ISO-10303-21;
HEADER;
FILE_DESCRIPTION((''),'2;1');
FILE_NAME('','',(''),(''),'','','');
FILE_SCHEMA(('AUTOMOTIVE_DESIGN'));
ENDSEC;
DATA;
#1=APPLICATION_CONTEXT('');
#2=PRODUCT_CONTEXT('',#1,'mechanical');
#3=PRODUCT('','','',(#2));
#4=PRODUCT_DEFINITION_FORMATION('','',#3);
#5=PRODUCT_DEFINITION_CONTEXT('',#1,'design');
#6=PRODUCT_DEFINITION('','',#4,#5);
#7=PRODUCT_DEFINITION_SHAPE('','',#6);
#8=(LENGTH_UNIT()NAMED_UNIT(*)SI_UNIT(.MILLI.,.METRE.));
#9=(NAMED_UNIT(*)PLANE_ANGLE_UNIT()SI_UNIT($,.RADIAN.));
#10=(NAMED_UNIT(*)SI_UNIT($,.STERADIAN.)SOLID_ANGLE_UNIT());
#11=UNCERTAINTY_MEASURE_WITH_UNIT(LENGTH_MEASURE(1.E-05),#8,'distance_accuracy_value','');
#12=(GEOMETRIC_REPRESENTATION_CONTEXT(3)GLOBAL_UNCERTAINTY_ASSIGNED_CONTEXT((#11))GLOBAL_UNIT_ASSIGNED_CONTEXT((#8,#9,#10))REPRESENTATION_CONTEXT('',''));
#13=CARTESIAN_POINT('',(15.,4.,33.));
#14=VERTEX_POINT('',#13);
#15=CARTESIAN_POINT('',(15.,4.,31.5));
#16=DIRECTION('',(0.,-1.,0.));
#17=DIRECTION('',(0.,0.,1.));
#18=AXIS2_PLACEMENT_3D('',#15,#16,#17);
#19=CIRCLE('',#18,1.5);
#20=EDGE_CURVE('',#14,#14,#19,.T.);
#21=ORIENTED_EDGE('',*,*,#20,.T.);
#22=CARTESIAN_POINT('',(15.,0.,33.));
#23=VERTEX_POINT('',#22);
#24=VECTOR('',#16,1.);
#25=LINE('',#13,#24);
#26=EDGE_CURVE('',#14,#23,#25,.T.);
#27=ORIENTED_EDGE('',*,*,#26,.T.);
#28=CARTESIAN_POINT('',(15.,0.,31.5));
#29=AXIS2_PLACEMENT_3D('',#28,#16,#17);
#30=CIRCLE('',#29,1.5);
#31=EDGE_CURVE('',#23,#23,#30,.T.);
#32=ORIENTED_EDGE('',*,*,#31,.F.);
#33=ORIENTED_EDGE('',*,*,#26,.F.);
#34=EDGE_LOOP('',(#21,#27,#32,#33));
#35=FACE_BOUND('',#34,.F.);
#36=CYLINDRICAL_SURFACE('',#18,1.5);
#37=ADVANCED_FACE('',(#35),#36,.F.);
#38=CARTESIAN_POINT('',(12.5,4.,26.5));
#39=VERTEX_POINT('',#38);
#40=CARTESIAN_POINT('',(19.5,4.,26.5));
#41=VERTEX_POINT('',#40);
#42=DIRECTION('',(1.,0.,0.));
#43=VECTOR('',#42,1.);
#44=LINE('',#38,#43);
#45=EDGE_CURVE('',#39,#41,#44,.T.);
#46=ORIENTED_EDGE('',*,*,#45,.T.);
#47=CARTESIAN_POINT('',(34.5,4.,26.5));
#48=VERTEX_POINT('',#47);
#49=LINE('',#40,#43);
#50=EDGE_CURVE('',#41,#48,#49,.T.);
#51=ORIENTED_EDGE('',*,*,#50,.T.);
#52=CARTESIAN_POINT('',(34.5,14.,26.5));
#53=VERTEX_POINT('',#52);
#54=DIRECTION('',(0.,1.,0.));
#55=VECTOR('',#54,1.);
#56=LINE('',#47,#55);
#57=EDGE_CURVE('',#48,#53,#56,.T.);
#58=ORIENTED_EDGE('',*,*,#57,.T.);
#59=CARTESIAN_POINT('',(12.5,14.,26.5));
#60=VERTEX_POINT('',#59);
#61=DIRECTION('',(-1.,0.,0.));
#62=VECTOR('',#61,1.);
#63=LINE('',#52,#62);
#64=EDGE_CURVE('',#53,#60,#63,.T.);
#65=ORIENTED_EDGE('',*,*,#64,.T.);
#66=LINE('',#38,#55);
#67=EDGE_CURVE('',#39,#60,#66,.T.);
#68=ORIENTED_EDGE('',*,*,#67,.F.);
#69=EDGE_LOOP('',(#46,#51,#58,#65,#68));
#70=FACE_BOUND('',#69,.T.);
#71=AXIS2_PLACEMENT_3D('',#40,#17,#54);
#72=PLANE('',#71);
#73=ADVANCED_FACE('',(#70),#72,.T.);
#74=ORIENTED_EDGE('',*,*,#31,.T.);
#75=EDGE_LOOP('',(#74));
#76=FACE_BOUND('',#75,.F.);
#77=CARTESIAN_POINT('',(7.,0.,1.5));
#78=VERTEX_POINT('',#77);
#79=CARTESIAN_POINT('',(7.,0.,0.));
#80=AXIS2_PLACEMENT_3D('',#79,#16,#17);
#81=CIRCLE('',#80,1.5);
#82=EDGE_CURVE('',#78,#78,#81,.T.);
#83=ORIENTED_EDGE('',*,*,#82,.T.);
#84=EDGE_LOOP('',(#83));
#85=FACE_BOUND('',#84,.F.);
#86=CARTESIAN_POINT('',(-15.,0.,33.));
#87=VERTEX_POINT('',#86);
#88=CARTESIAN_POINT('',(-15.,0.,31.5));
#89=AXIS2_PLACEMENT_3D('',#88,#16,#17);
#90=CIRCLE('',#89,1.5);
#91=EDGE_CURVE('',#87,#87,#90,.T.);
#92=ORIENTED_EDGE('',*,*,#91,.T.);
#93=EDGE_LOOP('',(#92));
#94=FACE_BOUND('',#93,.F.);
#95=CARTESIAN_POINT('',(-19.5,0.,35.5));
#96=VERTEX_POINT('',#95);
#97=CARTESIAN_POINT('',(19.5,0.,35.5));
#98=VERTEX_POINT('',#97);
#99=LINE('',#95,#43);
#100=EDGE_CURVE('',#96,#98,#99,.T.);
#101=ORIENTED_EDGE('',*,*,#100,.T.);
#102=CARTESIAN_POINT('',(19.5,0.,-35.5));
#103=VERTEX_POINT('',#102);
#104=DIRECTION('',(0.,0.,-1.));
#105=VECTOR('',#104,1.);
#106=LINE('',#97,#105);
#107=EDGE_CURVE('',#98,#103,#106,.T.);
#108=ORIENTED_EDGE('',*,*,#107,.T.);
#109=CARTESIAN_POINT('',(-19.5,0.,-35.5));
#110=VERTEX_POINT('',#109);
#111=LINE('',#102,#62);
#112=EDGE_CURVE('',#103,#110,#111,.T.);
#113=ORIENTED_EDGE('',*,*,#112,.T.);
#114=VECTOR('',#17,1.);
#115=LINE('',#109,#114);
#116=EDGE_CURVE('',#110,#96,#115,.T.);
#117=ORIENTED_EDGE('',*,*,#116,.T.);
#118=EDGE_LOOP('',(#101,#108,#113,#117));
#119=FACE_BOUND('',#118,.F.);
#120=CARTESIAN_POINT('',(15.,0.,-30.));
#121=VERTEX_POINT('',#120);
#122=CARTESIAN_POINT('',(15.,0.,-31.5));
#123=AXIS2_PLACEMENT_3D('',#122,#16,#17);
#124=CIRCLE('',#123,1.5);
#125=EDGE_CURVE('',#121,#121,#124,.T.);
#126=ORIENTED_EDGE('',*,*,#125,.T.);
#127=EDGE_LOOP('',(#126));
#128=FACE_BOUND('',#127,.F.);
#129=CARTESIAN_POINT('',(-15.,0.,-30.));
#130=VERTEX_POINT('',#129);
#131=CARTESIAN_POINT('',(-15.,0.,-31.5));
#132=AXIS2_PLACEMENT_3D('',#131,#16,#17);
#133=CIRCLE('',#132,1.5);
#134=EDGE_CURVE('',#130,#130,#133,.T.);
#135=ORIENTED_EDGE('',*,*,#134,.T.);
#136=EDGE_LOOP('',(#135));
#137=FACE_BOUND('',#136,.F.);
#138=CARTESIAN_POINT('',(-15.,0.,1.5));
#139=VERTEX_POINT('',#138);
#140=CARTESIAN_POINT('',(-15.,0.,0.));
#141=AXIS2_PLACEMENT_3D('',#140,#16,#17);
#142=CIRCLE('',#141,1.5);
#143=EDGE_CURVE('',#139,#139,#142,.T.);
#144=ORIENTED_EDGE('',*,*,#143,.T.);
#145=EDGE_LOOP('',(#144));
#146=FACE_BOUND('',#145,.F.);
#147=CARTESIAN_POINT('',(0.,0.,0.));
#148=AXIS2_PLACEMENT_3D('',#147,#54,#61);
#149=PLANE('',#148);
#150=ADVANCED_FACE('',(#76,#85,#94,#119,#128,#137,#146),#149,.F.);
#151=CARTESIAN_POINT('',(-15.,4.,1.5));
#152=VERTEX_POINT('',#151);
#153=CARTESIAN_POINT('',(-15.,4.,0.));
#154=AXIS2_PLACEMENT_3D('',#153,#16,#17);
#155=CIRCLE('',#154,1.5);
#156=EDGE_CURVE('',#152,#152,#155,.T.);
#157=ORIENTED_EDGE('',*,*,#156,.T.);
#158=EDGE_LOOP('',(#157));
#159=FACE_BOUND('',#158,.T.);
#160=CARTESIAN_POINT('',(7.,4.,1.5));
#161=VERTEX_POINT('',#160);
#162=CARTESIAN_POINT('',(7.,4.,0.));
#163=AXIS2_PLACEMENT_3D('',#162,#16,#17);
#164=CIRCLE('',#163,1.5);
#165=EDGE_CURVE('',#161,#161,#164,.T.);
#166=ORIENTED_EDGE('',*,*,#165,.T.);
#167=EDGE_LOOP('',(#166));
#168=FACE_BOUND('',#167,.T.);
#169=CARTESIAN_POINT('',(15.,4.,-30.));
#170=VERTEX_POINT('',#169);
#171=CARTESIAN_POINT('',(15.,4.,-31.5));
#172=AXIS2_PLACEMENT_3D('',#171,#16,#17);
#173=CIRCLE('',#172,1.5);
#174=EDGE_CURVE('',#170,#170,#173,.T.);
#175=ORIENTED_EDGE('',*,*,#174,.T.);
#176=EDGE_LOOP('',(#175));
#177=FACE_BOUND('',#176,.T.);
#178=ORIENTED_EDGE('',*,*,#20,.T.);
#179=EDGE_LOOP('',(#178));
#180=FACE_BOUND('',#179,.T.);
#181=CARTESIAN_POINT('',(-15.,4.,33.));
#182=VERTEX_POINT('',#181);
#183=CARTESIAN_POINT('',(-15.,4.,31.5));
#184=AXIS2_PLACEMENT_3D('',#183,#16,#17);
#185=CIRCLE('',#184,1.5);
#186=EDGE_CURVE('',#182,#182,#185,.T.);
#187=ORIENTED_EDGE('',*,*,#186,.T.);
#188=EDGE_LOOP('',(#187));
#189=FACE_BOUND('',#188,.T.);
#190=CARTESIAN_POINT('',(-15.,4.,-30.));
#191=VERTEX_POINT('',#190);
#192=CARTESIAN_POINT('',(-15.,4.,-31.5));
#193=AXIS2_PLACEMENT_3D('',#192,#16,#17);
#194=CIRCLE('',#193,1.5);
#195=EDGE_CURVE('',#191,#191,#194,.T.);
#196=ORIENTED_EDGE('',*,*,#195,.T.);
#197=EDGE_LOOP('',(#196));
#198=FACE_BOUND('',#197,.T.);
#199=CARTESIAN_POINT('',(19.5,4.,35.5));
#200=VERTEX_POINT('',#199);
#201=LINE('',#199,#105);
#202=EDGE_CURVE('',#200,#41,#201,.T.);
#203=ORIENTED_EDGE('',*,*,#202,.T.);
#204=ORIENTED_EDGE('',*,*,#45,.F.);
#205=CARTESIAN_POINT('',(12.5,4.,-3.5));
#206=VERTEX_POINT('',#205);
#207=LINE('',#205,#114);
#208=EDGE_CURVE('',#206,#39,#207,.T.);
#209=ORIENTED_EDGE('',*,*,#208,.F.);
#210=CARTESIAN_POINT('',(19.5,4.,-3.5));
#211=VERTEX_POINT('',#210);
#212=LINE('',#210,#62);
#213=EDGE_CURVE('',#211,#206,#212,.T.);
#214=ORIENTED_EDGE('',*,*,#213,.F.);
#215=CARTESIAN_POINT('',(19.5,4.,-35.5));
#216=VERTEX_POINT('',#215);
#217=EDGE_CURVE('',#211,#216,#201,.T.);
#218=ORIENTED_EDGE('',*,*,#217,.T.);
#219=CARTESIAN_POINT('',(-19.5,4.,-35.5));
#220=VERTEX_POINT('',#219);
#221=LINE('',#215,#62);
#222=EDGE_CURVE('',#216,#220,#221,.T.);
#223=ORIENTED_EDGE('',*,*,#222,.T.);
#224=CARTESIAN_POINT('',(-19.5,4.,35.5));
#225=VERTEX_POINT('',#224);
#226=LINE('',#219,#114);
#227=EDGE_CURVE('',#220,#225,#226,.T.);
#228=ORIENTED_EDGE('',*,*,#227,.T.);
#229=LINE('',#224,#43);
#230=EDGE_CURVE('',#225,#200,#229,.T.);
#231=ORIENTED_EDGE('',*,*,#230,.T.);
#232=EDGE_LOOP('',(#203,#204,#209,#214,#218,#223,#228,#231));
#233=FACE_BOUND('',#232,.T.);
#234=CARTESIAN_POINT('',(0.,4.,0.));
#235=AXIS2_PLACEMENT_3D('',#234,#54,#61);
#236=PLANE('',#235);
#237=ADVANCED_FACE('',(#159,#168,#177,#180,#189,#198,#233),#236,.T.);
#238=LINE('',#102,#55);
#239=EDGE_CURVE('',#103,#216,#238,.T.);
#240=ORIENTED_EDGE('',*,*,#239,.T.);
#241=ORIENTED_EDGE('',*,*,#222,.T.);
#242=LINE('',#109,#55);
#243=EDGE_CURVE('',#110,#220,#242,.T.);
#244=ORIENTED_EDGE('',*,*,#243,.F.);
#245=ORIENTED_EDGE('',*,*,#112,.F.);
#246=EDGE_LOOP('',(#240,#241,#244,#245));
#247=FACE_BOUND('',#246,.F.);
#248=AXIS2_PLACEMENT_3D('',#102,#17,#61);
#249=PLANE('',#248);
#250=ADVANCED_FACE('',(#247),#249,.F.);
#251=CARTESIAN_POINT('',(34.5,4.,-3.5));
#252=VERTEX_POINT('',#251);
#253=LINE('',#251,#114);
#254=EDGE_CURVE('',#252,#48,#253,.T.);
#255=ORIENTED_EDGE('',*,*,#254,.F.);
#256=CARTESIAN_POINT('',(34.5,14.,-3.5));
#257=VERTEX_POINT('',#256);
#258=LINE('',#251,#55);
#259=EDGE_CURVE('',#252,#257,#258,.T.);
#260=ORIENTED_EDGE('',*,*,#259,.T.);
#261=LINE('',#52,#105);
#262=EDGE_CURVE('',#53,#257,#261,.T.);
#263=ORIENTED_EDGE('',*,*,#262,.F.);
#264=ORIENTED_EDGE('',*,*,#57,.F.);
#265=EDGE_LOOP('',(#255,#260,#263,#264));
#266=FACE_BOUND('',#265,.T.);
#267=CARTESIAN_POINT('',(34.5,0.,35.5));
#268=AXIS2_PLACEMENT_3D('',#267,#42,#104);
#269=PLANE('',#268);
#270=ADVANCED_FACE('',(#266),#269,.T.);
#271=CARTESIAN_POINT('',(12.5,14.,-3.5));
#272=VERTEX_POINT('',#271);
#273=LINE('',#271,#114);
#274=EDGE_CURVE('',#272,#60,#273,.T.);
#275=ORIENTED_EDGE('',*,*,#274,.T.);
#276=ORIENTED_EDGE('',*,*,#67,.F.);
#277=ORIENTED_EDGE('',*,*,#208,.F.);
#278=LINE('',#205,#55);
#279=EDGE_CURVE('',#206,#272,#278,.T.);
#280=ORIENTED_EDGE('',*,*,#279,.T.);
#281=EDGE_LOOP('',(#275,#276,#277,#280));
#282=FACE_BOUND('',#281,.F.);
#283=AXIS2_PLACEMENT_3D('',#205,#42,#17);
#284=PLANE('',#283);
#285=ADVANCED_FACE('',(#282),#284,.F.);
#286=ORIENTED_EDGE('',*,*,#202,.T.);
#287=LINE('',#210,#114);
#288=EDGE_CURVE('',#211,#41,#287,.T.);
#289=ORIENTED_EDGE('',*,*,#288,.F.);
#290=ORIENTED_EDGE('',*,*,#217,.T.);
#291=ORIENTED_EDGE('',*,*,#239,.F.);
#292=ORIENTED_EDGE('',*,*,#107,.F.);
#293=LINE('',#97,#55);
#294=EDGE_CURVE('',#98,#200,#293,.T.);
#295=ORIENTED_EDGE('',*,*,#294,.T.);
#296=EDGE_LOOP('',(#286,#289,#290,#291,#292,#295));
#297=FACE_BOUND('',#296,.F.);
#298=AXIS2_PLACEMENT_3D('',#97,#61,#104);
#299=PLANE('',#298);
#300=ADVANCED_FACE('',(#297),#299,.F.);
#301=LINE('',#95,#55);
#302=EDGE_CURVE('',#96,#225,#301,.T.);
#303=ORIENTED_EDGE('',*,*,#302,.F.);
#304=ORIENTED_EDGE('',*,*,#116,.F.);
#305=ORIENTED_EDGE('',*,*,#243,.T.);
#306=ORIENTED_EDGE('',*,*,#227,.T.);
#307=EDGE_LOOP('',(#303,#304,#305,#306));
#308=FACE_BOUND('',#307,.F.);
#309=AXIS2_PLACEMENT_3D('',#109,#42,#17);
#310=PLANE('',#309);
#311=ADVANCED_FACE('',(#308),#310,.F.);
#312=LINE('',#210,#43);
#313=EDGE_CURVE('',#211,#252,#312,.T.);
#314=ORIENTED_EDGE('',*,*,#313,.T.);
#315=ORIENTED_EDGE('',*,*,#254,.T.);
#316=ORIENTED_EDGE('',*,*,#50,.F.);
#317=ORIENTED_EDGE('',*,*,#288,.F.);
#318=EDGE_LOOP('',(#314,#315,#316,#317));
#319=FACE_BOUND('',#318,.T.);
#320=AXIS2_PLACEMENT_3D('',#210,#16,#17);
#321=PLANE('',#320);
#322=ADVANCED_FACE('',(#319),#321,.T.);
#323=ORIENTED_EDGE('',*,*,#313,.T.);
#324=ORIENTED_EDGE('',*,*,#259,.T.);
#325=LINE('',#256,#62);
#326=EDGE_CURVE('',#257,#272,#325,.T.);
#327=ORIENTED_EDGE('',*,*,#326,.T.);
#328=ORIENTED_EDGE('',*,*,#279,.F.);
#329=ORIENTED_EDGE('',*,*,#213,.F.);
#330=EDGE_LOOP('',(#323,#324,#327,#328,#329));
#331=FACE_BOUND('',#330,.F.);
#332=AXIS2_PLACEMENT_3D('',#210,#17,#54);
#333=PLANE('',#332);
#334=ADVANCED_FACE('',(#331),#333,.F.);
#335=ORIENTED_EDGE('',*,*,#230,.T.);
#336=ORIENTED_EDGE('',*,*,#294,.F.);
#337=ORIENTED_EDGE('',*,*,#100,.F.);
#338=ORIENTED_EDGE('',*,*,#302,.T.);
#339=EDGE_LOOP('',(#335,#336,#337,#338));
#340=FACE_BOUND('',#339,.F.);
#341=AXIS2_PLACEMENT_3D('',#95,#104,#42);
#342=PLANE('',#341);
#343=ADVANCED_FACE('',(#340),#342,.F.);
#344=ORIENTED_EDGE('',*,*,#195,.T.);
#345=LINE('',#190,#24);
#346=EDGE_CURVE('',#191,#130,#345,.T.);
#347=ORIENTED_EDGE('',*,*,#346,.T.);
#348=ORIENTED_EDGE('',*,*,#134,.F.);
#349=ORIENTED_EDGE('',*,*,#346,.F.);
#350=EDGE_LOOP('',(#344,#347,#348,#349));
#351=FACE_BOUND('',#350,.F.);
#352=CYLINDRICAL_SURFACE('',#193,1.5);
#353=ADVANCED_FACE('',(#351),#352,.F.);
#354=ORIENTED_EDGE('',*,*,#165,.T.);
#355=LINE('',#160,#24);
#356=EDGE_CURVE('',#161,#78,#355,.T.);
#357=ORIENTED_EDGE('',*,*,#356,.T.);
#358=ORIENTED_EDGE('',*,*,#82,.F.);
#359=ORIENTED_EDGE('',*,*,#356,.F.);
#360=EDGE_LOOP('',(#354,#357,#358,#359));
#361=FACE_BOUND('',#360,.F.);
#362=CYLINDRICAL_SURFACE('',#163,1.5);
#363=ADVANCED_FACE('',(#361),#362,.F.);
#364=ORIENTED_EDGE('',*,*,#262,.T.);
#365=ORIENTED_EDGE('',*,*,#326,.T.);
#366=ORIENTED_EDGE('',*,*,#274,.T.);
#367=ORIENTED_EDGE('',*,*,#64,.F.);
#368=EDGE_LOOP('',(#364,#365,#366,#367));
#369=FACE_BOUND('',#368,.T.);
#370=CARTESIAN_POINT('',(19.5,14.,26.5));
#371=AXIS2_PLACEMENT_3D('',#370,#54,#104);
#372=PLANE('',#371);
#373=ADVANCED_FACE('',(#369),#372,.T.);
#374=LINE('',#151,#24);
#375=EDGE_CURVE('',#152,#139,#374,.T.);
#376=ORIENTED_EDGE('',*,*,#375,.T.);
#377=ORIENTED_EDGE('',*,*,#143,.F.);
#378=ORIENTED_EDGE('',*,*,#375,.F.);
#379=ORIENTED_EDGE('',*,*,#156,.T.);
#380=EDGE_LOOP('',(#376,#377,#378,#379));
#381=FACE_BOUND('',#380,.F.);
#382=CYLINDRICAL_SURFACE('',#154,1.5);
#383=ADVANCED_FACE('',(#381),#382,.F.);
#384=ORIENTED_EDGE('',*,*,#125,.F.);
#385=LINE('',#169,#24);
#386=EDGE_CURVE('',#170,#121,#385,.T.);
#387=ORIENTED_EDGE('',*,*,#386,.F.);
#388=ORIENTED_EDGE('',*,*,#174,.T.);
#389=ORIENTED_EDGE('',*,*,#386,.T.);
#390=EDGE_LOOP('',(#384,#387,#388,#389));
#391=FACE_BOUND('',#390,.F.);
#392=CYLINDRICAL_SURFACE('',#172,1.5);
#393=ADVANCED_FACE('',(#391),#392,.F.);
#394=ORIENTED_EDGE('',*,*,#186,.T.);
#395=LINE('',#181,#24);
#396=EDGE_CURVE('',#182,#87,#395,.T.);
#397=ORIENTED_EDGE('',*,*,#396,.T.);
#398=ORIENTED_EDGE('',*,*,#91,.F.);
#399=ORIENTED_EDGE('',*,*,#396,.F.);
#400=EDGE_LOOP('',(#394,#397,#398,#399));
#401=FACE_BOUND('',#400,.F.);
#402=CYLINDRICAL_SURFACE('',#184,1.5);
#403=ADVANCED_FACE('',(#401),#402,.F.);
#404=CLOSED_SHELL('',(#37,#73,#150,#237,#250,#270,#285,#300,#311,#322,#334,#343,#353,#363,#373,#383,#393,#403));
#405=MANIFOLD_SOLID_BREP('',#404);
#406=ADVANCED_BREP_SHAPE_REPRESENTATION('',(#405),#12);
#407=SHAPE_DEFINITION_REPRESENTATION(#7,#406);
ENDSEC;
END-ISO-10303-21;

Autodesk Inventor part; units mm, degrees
ref_plane "YZ Plane" through (0, 0, 0) normal (1, 0, 0) x (0, 1, 0)
ref_plane "XZ Plane" through (0, 0, 0) normal (0, 1, 0) x (-1, 0, 0)
ref_plane "XY Plane" through (0, 0, 0) normal (0, 0, 1) x (1, 0, 0)
sketch "Szkic1" plane through (0, 0, 0) normal (0, 1, 0) x (-1, 0, 0)
  line L0 (-19.5, -35.5) -> (19.5, -35.5)
  line L1 (19.5, -35.5) -> (19.5, 35.5)
  line L2 (19.5, 35.5) -> (-19.5, 35.5)
  line L3 (-19.5, 35.5) -> (-19.5, -35.5)
  line L4 (-19.5, -35.5) -> (19.5, 35.5) construction
  line L5 (19.5, -35.5) -> (-19.5, 35.5) construction
  point P0 (0, 0)
  dimension "d0" = 39
  dimension "d1" = 71
extrude "Wyciągnięcie proste1" add sketch "Szkic1" along normal blind 4
sketch "Szkic2" plane through (0, 4, 0) normal (0, 1, 0) x (1, 0, 0)
  line L0 (19.5, 35.5) -> (-19.5, 35.5) projected
  line L1 (-19.5, 35.5) -> (-19.5, -35.5) projected
  line L2 (-19.5, -35.5) -> (19.5, -35.5) projected
  line L3 (19.5, -35.5) -> (19.5, 35.5) projected
  point P0 (0, 0)
  point P1 (-15, -31.5)
  point P2 (-15, 31.5)
  point P3 (15, 31.5)
  point P4 (15, -31.5)
  point P5 (-15, 0)
  point P6 (7, 0)
  dimension "d4" = 4
  dimension "d5" = 4.5
  dimension "d6" = 63
  dimension "d7" = 63
  dimension "d8" = 71
  dimension "d9" = 4
  dimension "d10" = 30
  dimension "d11" = 39
  dimension "d12" = 30
  dimension "d13" = 4.5
  dimension "d29" = 4.5
  dimension "d30" = 31.5
  dimension "d31" = 22
hole "Otwór1" at (-15, 4, 31.5) at (-15, 4, -31.5) at (15, 4, -31.5) at (15, 4, 31.5) at (7, 4, 0) at (-15, 4, 0) direction (0, -1, 0) diameter 3 end through all
sketch "Szkic3" plane through (0, 4, 0) normal (0, 1, 0) x (1, 0, 0)
  circle A0 centre (15, 31.5) radius 1.5 projected
  circle A1 centre (-15, -31.5) radius 1.5 projected
  circle A2 centre (-15, 31.5) radius 1.5 projected
  circle A3 centre (15, -31.5) radius 1.5 projected
  line L0 (19.5, 35.5) -> (-19.5, 35.5) projected
  line L1 (-19.5, 35.5) -> (-19.5, -35.5) projected
  line L2 (-19.5, -35.5) -> (19.5, -35.5) projected
  line L3 (19.5, -35.5) -> (19.5, 35.5) projected
  line L4 (12.5, -26.5) -> (19.5, -26.5)
  line L5 (19.5, -26.5) -> (19.5, 3.5)
  line L6 (19.5, 3.5) -> (12.5, 3.5)
  line L7 (12.5, 3.5) -> (12.5, -26.5)
  point P0 (0, 0)
  dimension "d21" = 7
  dimension "d22" = 30
  dimension "d23" = 0
  dimension "d24" = 9
extrude "Wyciągnięcie proste2" add sketch "Szkic3" along normal blind 10 contours L3 L4 L7 L6
sketch "Szkic4" plane through (19.5, 0, 35.5) normal (1, 0, 0) x (0, 0, -1)
  line L0 (0, 0) -> (71, 0) projected
  line L1 (71, 0) -> (71, 4) projected
  line L2 (39, 4) -> (71, 4) projected
  line L3 (39, 4) -> (39, 14) projected
  line L4 (9, 14) -> (39, 14) projected
  line L5 (9, 4) -> (9, 14) projected
  line L6 (0, 4) -> (9, 4) projected
  line L7 (0, 0) -> (0, 4) projected
  line L8 (9, 14) -> (39, 14)
  line L9 (39, 14) -> (39, 4)
  line L10 (39, 4) -> (9, 4)
  line L11 (9, 4) -> (9, 14)
  point P0 (35.5, 0)
extrude "Wyciągnięcie proste3" add sketch "Szkic4" along normal blind 15 contours L5 L4 L3 L10
equation "\"d4\" = d9"
equation "\"d5\" = -0.5 * d10 + 0.5 * d11"
equation "\"d9\" = -0.5 * d7 + 0.5 * d8"
equation "\"d12\" = d10"
equation "\"d13\" = d5"
equation "\"d29\" = d13"
equation "\"d30\" = 0.5 * d6"
properties part number "MostekH"
